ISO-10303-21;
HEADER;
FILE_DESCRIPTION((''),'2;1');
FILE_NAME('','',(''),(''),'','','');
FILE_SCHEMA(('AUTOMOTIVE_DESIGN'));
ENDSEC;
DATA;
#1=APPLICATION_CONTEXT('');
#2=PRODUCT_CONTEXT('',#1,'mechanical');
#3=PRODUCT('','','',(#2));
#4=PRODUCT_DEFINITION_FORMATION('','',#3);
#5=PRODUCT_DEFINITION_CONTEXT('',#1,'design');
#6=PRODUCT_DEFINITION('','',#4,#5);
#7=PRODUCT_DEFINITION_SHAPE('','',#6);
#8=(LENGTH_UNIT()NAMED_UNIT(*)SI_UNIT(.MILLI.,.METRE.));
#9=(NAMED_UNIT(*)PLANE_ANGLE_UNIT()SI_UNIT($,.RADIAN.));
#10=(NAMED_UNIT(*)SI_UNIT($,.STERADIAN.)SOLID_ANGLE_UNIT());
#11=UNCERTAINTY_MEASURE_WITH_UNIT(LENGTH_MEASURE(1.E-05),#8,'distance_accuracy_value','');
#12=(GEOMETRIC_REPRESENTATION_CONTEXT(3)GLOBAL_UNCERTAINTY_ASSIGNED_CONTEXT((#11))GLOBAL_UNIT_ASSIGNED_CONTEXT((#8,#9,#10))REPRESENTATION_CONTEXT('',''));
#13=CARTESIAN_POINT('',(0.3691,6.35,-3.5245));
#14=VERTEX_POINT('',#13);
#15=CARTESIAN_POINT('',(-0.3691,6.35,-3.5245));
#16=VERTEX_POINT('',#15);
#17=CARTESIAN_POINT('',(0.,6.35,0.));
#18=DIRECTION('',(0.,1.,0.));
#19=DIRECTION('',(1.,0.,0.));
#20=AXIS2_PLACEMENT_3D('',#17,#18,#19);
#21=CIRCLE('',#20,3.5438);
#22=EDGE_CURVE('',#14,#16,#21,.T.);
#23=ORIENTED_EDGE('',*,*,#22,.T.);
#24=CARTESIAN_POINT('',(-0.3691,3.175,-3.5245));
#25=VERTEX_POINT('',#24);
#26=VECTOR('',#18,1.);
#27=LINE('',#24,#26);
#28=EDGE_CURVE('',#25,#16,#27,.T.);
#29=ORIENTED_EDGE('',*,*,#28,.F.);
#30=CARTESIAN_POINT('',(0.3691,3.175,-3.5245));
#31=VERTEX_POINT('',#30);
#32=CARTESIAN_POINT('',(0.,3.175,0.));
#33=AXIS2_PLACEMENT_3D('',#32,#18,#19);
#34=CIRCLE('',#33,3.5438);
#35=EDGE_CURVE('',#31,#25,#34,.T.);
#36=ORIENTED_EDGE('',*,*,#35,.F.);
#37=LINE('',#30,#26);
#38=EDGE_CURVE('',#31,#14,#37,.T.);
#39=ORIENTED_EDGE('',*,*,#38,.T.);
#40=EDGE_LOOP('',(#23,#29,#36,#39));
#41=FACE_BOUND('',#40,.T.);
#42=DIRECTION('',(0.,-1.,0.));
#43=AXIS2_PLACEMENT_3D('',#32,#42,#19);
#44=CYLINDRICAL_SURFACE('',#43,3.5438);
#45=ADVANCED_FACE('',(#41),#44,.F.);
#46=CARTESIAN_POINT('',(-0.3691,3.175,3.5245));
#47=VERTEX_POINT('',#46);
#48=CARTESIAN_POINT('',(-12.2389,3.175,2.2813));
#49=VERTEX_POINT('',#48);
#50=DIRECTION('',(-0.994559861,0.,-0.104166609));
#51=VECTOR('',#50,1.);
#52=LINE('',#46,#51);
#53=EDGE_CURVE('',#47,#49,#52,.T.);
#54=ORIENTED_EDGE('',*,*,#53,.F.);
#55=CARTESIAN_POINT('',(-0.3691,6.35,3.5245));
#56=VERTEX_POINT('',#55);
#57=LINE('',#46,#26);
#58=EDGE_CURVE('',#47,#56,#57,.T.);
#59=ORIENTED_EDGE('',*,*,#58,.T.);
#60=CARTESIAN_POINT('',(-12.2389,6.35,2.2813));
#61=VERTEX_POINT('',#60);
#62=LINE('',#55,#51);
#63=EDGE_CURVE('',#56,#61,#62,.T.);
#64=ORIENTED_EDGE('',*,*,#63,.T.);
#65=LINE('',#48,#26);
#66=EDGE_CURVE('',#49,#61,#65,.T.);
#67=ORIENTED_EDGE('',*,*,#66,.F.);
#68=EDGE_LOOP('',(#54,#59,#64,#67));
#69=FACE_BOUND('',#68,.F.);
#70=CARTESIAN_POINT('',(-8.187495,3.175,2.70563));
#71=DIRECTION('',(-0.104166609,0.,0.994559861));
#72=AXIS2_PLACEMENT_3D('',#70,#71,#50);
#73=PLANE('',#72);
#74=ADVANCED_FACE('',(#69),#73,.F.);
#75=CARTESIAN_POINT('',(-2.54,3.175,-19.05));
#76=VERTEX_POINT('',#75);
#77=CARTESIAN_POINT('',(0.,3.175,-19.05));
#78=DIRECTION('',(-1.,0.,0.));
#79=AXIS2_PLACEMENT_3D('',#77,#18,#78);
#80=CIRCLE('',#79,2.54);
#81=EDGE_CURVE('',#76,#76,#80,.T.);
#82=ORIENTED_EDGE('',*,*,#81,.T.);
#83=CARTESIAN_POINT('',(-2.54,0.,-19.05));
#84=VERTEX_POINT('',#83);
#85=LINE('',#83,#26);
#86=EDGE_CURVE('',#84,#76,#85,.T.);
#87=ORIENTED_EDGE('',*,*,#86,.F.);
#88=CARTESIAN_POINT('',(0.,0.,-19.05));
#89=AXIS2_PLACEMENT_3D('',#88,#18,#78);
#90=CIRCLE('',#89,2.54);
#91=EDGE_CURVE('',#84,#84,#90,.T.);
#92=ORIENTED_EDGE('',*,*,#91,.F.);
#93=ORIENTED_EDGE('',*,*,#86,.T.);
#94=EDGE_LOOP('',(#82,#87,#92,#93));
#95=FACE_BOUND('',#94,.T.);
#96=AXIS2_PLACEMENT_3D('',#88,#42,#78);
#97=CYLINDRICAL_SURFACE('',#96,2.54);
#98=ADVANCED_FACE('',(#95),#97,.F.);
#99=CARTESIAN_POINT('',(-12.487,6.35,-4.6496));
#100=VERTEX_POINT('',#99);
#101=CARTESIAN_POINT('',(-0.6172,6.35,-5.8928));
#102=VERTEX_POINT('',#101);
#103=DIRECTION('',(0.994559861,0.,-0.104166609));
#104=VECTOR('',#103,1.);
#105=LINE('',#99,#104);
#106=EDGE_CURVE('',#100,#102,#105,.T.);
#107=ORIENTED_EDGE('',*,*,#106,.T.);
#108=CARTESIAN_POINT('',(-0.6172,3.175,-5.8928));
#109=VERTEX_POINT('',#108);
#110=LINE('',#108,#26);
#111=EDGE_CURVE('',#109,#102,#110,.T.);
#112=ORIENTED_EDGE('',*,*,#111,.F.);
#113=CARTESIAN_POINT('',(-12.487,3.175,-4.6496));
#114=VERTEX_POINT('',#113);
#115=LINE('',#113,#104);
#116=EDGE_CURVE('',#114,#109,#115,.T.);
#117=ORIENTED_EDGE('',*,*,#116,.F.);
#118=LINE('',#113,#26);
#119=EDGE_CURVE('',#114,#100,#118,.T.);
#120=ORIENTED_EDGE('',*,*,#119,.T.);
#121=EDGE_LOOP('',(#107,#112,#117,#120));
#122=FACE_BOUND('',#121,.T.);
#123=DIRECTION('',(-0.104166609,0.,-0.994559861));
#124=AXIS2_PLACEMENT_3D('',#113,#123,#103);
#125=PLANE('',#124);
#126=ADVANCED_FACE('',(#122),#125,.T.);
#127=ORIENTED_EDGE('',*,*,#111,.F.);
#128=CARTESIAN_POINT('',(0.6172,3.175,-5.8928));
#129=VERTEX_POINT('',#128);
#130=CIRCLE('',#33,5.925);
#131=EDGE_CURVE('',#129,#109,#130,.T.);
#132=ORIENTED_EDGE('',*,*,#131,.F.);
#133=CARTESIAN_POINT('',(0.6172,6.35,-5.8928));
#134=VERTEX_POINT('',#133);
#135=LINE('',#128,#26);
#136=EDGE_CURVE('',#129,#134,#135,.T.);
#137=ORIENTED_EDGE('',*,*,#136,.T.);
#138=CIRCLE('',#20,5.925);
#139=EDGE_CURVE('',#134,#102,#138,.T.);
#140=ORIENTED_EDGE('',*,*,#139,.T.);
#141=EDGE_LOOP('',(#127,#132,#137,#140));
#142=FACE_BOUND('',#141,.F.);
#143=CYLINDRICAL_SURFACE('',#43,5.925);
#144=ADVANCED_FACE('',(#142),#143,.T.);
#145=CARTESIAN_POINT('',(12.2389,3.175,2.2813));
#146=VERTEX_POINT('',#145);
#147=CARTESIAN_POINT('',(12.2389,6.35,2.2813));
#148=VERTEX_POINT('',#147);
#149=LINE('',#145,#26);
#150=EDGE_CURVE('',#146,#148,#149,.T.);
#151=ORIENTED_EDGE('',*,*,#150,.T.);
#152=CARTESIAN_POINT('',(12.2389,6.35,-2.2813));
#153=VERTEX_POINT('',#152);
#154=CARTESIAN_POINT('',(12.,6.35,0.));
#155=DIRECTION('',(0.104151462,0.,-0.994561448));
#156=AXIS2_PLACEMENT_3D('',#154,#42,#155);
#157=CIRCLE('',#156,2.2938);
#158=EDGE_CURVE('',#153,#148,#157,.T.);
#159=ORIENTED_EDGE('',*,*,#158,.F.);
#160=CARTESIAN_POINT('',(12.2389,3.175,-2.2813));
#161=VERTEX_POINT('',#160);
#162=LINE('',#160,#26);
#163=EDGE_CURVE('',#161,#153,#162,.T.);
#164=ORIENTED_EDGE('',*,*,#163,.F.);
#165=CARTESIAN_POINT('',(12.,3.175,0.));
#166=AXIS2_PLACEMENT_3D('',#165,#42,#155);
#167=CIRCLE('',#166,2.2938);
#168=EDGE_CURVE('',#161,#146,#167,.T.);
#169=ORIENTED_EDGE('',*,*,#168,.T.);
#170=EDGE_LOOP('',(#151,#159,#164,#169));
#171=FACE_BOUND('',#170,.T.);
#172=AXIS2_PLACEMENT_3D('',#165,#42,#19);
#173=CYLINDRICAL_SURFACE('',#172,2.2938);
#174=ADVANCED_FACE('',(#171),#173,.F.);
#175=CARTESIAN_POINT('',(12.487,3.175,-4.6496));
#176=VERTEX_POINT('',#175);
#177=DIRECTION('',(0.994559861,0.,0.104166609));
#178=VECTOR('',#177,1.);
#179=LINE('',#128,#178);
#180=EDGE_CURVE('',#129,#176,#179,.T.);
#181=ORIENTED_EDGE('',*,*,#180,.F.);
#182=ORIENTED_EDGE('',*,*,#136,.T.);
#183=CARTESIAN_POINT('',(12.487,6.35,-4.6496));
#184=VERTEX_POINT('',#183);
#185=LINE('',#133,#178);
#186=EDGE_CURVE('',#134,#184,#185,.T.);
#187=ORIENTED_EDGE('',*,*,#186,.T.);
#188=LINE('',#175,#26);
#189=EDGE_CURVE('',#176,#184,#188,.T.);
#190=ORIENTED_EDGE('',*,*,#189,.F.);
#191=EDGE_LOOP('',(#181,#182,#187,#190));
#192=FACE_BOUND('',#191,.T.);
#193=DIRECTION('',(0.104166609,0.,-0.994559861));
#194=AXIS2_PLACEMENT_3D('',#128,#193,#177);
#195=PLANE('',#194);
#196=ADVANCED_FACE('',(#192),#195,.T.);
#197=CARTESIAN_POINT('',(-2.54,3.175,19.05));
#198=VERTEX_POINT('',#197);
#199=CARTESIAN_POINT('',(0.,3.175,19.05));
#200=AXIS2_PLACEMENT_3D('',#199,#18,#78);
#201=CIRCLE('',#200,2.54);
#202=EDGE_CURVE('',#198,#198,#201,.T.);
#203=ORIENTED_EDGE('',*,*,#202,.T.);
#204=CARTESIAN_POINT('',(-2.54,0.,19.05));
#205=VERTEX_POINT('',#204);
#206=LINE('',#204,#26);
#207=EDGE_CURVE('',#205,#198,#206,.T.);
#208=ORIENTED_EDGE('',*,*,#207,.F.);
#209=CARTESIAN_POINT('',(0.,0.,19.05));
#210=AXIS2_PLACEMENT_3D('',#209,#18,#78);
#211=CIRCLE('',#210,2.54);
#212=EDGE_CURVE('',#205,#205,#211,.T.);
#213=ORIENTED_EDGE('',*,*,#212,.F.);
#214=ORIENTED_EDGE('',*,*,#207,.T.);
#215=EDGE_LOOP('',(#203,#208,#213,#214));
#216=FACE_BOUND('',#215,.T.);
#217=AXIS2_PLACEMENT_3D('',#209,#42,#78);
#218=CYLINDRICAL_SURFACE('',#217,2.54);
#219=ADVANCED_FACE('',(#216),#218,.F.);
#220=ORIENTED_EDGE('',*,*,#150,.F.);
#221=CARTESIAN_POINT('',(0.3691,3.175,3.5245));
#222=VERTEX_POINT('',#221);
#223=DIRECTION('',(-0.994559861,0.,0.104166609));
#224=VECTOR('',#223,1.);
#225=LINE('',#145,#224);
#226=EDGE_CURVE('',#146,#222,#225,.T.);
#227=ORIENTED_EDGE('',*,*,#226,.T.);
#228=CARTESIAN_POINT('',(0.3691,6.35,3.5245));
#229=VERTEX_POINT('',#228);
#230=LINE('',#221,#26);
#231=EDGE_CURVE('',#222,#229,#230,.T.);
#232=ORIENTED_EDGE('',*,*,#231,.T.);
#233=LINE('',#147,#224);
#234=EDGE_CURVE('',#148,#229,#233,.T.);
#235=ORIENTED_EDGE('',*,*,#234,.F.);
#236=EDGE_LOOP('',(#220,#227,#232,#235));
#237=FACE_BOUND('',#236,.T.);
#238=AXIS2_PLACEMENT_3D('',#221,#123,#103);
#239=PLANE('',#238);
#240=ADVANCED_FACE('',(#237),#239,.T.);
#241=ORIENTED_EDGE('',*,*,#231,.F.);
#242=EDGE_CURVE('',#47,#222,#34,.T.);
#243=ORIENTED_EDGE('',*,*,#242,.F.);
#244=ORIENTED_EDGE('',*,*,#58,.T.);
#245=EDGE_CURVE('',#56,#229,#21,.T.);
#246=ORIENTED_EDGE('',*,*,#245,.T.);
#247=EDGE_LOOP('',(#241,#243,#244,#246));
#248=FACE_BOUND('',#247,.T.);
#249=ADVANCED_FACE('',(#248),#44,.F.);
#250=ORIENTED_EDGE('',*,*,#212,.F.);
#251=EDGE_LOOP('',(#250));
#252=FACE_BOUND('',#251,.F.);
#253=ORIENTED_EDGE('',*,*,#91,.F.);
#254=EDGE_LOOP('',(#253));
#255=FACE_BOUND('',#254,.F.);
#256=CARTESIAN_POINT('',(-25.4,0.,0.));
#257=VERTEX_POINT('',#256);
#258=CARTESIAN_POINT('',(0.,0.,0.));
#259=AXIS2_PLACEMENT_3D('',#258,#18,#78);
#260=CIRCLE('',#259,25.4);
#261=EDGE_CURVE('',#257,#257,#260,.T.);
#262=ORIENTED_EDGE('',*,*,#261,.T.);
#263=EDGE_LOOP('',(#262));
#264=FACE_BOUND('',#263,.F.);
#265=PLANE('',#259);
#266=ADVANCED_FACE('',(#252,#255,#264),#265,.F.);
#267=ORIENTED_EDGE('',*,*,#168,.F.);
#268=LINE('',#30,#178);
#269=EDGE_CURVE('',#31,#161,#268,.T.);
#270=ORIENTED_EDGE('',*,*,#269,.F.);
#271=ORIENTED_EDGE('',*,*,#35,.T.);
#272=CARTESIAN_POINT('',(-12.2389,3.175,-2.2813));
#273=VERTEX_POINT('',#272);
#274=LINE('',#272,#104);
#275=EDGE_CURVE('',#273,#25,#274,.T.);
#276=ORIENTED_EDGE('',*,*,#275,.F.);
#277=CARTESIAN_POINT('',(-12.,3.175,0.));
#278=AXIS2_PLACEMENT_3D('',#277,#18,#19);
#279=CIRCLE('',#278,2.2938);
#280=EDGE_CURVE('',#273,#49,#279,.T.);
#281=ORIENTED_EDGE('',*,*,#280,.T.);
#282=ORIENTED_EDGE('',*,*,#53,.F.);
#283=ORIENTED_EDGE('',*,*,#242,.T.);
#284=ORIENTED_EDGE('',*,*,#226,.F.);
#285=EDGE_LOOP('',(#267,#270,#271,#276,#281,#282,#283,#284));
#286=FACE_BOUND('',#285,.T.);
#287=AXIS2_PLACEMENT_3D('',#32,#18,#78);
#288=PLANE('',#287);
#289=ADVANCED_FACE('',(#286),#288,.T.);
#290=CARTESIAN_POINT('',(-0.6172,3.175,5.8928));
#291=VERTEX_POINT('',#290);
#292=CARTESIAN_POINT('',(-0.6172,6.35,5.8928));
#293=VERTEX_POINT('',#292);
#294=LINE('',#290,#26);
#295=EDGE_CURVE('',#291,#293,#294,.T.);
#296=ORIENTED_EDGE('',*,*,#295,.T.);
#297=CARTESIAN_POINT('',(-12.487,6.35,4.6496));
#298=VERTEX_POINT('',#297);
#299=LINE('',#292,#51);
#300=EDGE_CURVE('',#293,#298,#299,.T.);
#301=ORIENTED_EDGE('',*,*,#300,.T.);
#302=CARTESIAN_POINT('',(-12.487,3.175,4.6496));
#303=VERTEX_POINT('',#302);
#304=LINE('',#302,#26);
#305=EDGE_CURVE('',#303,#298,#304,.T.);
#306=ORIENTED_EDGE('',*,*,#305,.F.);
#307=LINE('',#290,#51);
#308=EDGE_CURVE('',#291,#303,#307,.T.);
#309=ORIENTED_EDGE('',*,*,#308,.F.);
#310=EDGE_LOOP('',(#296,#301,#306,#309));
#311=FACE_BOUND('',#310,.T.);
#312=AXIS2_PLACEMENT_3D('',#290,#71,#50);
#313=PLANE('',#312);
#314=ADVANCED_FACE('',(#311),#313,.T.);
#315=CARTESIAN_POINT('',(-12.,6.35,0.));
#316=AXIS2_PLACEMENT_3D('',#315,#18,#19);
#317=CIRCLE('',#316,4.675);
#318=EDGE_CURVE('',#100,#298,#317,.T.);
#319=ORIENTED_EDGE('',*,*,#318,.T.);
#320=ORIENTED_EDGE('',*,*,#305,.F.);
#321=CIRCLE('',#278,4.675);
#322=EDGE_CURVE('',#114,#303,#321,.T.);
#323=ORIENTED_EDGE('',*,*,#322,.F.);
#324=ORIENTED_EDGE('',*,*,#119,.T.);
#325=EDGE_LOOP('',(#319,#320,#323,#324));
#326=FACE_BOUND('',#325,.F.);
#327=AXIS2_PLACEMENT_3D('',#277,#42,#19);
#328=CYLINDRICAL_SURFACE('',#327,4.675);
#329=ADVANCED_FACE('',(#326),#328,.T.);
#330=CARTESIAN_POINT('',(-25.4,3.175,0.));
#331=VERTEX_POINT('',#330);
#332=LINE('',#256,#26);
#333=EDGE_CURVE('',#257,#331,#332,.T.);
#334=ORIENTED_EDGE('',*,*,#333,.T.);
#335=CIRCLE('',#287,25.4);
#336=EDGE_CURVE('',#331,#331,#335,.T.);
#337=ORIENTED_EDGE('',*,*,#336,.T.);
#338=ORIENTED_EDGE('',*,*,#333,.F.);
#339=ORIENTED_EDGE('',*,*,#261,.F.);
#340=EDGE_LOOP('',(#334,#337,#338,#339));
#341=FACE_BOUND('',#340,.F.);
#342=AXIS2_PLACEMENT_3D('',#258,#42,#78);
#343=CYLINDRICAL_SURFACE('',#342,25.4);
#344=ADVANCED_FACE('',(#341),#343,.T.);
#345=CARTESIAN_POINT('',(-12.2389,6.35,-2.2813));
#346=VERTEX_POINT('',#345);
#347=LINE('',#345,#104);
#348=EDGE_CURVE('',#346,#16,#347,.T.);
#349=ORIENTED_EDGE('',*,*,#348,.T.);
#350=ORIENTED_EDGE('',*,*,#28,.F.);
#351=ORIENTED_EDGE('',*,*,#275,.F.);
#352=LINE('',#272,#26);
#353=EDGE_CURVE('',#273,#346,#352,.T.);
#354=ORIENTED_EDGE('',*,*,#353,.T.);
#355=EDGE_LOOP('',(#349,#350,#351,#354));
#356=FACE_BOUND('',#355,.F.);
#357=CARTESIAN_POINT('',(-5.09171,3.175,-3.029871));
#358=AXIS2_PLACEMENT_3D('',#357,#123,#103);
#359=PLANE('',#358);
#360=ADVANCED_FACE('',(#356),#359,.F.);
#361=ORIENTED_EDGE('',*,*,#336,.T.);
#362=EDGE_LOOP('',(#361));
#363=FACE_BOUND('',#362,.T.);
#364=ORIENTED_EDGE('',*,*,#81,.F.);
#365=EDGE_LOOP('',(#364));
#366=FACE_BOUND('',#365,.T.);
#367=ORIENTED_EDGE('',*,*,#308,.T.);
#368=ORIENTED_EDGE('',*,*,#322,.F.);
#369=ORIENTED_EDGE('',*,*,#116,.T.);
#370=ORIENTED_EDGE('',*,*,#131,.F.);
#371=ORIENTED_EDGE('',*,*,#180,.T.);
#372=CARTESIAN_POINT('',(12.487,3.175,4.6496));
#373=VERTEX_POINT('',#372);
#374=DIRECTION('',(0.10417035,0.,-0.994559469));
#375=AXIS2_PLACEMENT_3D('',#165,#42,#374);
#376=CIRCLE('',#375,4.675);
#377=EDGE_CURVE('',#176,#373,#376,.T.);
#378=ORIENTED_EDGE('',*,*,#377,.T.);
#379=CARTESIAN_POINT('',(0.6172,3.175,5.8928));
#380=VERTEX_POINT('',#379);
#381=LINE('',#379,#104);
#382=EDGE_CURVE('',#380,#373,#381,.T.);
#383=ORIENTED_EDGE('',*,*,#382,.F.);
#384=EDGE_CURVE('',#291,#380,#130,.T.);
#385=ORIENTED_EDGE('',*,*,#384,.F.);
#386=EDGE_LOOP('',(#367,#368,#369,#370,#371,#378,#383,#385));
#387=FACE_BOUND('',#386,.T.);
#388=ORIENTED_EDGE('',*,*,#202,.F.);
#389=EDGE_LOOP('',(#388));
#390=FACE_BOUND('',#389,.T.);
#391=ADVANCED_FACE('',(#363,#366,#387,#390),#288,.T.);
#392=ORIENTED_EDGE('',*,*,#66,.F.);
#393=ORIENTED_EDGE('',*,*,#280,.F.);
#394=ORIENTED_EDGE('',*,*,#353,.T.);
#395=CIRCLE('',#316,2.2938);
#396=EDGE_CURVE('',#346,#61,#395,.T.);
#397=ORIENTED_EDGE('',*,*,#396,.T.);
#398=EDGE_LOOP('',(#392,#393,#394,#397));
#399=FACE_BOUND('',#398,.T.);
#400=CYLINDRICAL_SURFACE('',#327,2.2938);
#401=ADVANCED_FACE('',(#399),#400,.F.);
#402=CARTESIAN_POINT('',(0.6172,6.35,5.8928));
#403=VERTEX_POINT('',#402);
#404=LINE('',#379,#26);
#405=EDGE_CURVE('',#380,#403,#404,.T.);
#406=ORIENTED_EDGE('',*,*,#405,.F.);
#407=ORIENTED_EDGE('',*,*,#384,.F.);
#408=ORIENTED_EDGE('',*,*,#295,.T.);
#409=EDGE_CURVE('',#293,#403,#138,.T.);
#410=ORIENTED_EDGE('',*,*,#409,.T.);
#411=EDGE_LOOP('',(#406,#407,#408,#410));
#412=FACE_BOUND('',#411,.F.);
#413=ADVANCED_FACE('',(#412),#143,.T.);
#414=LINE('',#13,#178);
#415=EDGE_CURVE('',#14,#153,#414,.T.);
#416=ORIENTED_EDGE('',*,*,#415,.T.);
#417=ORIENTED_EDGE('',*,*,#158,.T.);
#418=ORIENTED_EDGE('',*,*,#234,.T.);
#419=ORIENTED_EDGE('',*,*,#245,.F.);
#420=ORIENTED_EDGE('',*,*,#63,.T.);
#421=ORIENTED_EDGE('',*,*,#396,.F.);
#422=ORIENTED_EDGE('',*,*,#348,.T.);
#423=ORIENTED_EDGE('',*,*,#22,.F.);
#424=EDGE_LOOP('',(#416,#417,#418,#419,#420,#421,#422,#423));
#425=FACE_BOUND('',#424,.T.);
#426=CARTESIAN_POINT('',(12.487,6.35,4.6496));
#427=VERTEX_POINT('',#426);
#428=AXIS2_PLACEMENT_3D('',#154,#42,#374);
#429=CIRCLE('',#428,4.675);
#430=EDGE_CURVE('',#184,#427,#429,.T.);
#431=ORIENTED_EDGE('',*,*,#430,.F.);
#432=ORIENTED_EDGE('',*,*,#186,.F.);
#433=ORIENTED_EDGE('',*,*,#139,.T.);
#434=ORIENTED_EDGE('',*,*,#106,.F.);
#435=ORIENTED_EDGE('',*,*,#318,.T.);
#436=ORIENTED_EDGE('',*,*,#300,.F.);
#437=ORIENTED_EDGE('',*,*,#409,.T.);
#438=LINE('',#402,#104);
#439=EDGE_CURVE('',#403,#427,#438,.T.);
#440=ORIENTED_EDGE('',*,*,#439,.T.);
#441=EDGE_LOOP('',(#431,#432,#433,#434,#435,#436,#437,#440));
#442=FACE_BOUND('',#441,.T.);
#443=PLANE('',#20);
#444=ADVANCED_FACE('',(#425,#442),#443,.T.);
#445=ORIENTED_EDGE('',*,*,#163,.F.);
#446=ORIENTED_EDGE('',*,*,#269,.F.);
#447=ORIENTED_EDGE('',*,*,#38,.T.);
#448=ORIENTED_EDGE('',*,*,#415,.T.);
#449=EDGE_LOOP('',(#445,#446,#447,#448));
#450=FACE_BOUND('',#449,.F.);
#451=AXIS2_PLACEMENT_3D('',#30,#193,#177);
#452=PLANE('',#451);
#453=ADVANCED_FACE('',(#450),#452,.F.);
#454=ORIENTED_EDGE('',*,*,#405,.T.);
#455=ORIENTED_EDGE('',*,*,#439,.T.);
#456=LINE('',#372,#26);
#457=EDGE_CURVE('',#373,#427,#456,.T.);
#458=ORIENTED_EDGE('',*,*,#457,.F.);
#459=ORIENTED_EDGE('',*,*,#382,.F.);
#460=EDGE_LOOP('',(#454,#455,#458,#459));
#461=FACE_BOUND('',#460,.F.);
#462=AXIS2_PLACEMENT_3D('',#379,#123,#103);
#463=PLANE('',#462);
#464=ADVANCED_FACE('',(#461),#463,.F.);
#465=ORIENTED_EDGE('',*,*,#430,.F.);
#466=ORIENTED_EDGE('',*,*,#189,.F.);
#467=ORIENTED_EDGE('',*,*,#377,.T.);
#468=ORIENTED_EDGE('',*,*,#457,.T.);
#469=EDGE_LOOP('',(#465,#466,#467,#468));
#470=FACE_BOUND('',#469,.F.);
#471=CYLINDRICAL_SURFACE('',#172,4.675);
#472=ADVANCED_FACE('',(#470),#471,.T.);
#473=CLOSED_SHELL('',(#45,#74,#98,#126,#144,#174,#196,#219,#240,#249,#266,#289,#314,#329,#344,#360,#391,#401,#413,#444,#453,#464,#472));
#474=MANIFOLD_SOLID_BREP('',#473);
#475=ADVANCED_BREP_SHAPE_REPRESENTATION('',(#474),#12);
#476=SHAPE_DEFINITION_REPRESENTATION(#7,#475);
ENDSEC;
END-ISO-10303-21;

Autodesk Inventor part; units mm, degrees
ref_plane "YZ Plane" through (0, 0, 0) normal (1, 0, 0) x (0, 1, 0)
ref_plane "XZ Plane" through (0, 0, 0) normal (0, 1, 0) x (-1, 0, 0)
ref_plane "XY Plane" through (0, 0, 0) normal (0, 0, 1) x (1, 0, 0)
sketch "Sketch1" plane through (0, 0, 0) normal (0, 1, 0) x (-1, 0, 0)
  circle A0 centre (0, 0) radius 25.4
  circle A1 centre (0, 19.05) radius 2.54
  circle A2 centre (0, -19.05) radius 2.54
  line L0 (0, 19.05) -> (0, -19.05) construction
  dimension "d0" = 50.8
  dimension "d1" = 5.08
  dimension "d2" = 5.08
  dimension "d3" = 38.1
extrude "Extrusion1" add sketch "Sketch1" along normal blind 3.175
sketch "Sketch2" plane through (0, 3.175, 0) normal (0, 1, 0) x (1, 0, 0)
  circle A0 centre (0, 0) radius 2.75
  circle A1 centre (-12, 0) radius 1.5
  circle A2 centre (12, 0) radius 1.5
  line L0 (-12, 0) -> (12, 0) construction
  line L1 (-12.1563, 1.4918) -> (-0.2865, 2.735)
  line L2 (0.2865, -2.735) -> (12.1563, -1.4918)
  line L3 (0.2865, 2.735) -> (12.1562, 1.4918)
  line L4 (-0.2865, -2.735) -> (-12.1563, -1.4918)
  circle A3 centre (-12, 0) radius 2.2938
  line L5 (-12.2389, 2.2813) -> (-0.3691, 3.5245)
  line L6 (-0.3691, -3.5245) -> (-12.2389, -2.2813)
  circle A4 centre (0, 0) radius 3.5438
  line L7 (0.3691, 3.5245) -> (12.2389, 2.2813)
  line L8 (0.3691, -3.5245) -> (12.2389, -2.2813)
  circle A5 centre (12, 0) radius 2.2938
  line L9 (0.6172, -5.8928) -> (12.487, -4.6496)
  circle A6 centre (12, 0) radius 4.675
  line L10 (0.6172, 5.8928) -> (12.487, 4.6496)
  circle A7 centre (0, 0) radius 5.925
  line L11 (-12.487, 4.6496) -> (-0.6172, 5.8928)
  line L12 (-0.6172, -5.8928) -> (-12.487, -4.6496)
  circle A8 centre (-12, 0) radius 4.675
  point P0 (-0.3691, 3.5245)
  point P1 (-0.6172, 5.8928)
  dimension "d6" = 5.5
  dimension "d7" = 3
  dimension "d8" = 27
  dimension "d9" = 0.7937
  dimension "d10" = 0.7937
  dimension "d11" = 0.7937
  dimension "d12" = 0.7937
  dimension "d13" = 0.7937
  dimension "d14" = 0.7937
  dimension "d15" = 0.7937
  dimension "d16" = 2.3813
  dimension "d17" = 2.3813
  dimension "d18" = 2.3813
  dimension "d19" = 2.3813
  dimension "d20" = 2.3813
  dimension "d21" = 2.3813
  dimension "d22" = 2.3813
extrude "Extrusion2" add sketch "Sketch2" along normal blind 3.175 contours A4 L5 A7 L7 | L8 A7 L6 A4 | A7 L10 A6 L7 | L8 A6 L9 A7 | L5 A8 L11 A7 | A6 L8 A5 L7 | A7 L12 A8 L6 | L5 A3 L6 A8
equation "\"d9\" = d11"
equation "\"d10\" = d14"
equation "\"d11\" = d14"
equation "\"d12\" = d11"
equation "\"d13\" = d14"
equation "\"d15\" = d14"
equation "\"d17\" = d16"
equation "\"d18\" = d16"
equation "\"d19\" = d16"
equation "\"d20\" = d16"
equation "\"d21\" = d16"
equation "\"d22\" = d16"
properties part number "Rotating Disc" material "Acetal Resin, Black"
